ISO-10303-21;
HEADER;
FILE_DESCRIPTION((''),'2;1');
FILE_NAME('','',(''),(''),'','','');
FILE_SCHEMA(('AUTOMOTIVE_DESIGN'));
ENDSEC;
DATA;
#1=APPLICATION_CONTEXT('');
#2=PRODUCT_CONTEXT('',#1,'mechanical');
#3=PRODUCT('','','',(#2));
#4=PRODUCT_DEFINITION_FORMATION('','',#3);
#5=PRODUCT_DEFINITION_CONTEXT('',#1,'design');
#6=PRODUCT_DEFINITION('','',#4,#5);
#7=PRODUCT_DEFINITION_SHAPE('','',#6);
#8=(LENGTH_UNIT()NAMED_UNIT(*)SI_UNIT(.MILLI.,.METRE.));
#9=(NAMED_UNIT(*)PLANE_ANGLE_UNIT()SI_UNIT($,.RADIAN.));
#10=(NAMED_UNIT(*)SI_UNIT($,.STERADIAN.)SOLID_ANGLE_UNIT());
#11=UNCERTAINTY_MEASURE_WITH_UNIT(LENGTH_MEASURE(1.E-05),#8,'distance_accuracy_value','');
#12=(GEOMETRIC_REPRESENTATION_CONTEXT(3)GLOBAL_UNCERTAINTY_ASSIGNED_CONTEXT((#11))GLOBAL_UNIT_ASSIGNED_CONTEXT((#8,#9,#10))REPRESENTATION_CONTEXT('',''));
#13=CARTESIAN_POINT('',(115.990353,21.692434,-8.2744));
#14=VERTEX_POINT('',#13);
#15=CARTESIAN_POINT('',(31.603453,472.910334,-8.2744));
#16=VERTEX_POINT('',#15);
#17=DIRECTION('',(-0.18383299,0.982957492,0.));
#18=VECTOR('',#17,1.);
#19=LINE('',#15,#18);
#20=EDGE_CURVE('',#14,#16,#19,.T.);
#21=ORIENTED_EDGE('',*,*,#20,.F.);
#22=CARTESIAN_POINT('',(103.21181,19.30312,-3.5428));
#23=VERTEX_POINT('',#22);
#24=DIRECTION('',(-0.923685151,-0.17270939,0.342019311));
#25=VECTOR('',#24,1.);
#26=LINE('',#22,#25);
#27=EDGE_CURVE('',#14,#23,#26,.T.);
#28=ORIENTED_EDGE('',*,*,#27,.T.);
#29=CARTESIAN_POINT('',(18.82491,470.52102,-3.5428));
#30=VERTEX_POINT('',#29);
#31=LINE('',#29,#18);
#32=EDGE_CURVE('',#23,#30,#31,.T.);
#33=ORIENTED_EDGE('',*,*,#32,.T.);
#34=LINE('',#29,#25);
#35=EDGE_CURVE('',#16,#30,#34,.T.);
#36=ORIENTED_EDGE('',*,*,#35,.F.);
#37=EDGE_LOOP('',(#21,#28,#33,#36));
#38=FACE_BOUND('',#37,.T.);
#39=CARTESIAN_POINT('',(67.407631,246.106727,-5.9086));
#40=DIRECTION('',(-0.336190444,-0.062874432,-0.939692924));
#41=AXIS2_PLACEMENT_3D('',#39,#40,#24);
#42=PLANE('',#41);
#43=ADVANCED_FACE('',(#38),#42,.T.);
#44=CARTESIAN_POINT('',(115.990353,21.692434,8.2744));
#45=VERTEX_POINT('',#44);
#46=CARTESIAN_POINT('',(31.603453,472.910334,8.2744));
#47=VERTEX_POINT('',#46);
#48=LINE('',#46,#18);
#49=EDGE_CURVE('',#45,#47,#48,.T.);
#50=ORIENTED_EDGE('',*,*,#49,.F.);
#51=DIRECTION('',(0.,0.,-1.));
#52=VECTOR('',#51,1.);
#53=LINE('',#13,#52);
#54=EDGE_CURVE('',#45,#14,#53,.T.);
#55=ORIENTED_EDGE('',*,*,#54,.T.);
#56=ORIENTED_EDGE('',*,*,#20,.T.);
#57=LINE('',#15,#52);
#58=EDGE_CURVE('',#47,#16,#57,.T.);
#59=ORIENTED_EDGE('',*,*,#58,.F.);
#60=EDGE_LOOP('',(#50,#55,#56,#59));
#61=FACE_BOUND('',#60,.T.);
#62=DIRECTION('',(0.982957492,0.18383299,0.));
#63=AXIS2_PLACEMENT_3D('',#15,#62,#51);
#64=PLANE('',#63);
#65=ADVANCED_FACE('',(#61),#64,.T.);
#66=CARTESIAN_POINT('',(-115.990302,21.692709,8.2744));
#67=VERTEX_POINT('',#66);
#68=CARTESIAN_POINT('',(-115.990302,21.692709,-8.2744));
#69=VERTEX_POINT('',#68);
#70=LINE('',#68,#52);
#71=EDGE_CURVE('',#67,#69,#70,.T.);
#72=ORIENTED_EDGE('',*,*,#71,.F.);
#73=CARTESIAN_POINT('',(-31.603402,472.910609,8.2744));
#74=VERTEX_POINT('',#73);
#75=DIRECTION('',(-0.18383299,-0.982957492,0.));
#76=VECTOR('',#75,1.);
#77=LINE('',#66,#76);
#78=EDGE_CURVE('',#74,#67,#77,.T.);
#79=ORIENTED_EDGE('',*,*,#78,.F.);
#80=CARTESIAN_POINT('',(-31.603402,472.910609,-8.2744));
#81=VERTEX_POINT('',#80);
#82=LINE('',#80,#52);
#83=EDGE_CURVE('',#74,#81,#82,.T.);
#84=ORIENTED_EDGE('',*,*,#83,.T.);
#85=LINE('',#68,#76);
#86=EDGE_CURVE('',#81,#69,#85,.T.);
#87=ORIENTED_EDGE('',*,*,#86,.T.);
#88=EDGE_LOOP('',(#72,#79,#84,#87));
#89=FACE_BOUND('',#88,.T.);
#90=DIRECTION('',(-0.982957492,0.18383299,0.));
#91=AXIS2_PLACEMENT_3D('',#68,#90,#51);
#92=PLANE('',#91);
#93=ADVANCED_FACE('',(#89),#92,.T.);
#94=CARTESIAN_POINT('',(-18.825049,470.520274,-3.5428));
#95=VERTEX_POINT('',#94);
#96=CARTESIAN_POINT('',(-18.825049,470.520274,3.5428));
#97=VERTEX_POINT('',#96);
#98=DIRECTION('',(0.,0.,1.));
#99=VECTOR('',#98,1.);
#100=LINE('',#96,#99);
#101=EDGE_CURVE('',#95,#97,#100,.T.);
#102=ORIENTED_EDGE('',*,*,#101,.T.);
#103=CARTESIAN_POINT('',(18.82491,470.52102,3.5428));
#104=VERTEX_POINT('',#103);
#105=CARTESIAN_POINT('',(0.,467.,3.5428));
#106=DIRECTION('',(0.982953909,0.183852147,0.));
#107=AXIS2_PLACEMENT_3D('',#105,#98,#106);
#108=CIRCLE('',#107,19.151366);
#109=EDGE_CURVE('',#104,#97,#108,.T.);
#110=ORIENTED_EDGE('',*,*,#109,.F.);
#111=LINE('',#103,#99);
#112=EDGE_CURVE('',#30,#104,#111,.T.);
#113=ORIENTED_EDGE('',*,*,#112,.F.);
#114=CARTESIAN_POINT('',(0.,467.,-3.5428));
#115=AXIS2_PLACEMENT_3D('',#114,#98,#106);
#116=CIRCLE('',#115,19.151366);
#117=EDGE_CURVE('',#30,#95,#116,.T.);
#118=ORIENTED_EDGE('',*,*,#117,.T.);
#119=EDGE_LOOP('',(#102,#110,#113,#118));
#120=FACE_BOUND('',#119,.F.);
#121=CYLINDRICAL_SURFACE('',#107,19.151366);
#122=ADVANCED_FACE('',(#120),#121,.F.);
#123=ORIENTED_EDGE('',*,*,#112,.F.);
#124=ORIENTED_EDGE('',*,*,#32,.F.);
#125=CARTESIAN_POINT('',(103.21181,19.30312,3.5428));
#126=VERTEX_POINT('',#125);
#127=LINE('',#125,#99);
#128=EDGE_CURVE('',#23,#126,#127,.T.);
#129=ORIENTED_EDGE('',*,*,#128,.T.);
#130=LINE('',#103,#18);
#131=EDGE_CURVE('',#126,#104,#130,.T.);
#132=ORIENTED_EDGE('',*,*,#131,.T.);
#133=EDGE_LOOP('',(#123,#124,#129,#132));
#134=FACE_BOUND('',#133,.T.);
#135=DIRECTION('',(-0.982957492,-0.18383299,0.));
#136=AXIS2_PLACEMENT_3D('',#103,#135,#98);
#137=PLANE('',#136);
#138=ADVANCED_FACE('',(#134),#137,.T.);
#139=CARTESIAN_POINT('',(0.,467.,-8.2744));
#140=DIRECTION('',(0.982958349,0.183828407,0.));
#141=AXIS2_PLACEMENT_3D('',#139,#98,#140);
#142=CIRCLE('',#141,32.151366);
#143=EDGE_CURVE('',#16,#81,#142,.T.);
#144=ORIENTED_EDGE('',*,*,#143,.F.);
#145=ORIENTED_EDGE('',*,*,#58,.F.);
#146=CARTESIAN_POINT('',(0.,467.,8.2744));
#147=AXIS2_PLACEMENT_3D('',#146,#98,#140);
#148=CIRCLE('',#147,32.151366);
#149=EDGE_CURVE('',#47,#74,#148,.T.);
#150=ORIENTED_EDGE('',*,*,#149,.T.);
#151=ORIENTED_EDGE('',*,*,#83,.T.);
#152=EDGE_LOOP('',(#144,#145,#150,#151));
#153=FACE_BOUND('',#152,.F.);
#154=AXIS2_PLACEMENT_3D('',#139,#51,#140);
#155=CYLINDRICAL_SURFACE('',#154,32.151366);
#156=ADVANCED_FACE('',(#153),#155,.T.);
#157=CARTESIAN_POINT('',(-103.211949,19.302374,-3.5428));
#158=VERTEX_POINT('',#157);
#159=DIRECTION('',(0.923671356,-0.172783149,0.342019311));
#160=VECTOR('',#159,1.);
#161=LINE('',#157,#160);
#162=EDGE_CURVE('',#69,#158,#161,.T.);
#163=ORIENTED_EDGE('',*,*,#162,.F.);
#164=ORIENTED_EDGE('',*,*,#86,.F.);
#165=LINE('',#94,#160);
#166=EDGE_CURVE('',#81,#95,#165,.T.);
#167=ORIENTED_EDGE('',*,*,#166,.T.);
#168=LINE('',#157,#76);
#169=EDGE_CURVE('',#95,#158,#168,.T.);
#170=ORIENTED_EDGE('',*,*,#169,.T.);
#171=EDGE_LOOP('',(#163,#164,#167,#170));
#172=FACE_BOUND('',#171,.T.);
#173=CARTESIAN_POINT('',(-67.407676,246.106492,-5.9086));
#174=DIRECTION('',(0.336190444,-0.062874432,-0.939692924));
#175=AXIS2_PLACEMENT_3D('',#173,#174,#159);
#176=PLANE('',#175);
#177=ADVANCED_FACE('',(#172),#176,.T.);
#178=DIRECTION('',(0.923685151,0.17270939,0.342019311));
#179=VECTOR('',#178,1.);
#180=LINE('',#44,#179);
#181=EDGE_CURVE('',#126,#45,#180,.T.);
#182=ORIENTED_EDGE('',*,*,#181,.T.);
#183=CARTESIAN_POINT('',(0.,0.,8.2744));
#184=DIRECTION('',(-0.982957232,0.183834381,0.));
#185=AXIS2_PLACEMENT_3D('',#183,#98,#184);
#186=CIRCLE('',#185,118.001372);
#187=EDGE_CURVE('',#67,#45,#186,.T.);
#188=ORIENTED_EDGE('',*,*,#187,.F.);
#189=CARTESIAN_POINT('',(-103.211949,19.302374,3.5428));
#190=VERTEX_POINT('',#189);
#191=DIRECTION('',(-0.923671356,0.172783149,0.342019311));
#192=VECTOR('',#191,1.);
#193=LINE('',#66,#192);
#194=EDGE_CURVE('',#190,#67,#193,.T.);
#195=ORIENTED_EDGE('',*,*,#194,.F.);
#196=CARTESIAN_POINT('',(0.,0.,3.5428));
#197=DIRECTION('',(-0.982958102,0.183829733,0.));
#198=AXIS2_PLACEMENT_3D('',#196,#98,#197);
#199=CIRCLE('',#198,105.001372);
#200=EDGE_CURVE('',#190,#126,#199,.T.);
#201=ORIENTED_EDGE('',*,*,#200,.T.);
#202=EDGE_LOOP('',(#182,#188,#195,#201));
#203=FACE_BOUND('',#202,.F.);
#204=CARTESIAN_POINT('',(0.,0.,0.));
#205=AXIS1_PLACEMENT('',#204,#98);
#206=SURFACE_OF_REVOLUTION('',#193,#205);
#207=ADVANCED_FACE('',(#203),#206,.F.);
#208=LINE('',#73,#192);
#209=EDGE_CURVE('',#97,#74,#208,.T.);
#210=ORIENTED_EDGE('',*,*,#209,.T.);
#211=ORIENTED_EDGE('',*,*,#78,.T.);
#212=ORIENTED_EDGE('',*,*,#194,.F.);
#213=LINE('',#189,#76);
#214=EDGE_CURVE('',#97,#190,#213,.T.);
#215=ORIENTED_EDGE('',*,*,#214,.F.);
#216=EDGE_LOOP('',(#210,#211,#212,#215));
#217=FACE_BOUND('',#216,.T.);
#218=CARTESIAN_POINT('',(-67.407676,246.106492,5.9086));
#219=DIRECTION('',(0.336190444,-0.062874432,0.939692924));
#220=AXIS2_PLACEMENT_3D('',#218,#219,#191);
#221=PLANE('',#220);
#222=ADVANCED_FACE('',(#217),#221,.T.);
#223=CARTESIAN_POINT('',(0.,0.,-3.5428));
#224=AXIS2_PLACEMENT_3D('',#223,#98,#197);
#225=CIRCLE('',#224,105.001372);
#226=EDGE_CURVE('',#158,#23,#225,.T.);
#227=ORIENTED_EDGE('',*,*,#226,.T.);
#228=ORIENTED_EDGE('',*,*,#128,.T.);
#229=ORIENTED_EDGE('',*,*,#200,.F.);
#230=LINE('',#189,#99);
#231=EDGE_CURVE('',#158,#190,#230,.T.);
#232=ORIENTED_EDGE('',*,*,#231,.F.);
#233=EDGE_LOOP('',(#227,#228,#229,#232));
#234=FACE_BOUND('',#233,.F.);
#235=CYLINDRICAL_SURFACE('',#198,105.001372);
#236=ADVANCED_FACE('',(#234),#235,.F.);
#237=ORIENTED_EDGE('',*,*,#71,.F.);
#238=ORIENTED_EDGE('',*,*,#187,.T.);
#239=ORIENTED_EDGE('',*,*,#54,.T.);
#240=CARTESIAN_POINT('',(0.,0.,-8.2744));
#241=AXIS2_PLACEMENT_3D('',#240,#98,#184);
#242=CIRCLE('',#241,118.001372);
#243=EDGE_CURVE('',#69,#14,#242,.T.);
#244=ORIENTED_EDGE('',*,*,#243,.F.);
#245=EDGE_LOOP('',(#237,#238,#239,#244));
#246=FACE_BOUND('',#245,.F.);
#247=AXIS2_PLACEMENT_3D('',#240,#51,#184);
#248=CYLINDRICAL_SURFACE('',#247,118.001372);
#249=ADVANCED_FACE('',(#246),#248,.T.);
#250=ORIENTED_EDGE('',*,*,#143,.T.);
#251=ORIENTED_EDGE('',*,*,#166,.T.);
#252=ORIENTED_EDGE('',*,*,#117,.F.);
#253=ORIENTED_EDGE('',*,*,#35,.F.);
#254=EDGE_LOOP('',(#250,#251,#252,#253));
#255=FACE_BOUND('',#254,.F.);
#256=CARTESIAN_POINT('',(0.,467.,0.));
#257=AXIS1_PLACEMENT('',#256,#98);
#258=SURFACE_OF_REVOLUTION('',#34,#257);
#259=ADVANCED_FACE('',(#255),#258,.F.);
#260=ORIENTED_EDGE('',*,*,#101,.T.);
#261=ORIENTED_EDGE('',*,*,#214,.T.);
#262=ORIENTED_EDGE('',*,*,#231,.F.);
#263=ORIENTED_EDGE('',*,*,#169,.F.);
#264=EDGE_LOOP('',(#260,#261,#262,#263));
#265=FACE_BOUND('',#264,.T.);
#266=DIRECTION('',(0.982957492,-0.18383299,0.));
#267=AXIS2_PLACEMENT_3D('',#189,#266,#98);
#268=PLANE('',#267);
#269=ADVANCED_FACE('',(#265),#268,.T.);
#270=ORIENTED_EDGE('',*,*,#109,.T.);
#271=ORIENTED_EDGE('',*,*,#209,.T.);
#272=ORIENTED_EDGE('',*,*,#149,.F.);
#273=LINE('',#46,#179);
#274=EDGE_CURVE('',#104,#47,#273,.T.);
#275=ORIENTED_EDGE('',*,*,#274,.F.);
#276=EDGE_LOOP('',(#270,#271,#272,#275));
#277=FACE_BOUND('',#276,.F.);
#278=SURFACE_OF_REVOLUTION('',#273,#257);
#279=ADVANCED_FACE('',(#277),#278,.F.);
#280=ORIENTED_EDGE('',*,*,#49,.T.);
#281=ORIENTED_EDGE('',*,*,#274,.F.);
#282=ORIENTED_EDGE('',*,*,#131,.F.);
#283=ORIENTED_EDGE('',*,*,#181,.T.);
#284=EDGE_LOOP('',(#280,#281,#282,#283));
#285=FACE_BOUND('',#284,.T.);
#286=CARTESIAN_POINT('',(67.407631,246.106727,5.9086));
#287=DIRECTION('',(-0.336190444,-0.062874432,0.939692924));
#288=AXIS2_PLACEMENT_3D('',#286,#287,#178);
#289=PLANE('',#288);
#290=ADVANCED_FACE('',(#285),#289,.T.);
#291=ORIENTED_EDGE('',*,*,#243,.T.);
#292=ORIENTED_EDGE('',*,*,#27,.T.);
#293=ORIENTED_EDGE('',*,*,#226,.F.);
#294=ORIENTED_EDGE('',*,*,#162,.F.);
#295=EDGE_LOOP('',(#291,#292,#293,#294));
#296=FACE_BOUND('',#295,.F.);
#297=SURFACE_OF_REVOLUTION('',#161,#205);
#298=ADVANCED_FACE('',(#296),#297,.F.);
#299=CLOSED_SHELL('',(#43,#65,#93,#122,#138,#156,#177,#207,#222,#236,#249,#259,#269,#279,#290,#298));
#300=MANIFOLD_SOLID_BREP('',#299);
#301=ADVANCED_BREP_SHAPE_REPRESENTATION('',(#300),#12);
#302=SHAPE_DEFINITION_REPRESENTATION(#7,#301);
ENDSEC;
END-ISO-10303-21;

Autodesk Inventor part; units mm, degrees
ref_plane "YZ Plane" through (0, 0, 0) normal (1, 0, 0) x (0, 1, 0)
ref_plane "XZ Plane" through (0, 0, 0) normal (0, 1, 0) x (-1, 0, 0)
sketch "Chemin d'esquisse" plane through (0, 0, 0) normal (0, 0, 1) x (1, 0, 0)
  arc A0 (-112.5486, 21.0489) -> (112.5486, 21.0489) centre (0, 0) ccw
  arc A1 (28.1617, 472.2668) -> (-28.1617, 472.2668) centre (0, 467) ccw
  line L0 (28.1617, 472.2668) -> (112.5486, 21.0489)
  line L1 (-112.5486, 21.0489) -> (-28.1617, 472.2668)
ref_plane "Plan de section" through (112.5486, 21.0489, 0) normal (-0.1838, 0.983, 0) x (0, 0, 1)
sketch "Section" plane through (112.5486, 21.0489, 0) normal (-0.1838, 0.983, 0) x (0, 0, 1)
  line L0 (0, 3.5014) -> (0, -9.4986) construction
  line L1 (-7, 0) -> (7, 0) construction
  line L2 (-8.2744, 3.5014) -> (8.2744, 3.5014)
  line L3 (8.2744, 3.5014) -> (3.5428, -9.4986)
  line L4 (3.5428, -9.4986) -> (-3.5428, -9.4986)
  line L5 (-3.5428, -9.4986) -> (-8.2744, 3.5014)
  point P0 (0, 0)
  point P1 (0, 0)
  point P2 (0, 0)
  dimension "d0" = 14
  dimension "d1" = 3.5014
  dimension "d2" = 40
  dimension "d3" = 13
sweep "Courroie" add profiles "Section" path "Chemin d'esquisse"
equation "\"d0\" = da_Bw"
equation "\"d1\" = da_Hw"
equation "\"d2\" = da_Alfa"
equation "\"d3\" = da_H"
equation "\"da_Alfa\" = 40deg"
equation "\"da_H\" = 13"
equation "\"da_Bw\" = 14"
equation "\"da_Hw\" = 3.50141"
properties part number "Courroie trapézoïdale" material "Rubber"
